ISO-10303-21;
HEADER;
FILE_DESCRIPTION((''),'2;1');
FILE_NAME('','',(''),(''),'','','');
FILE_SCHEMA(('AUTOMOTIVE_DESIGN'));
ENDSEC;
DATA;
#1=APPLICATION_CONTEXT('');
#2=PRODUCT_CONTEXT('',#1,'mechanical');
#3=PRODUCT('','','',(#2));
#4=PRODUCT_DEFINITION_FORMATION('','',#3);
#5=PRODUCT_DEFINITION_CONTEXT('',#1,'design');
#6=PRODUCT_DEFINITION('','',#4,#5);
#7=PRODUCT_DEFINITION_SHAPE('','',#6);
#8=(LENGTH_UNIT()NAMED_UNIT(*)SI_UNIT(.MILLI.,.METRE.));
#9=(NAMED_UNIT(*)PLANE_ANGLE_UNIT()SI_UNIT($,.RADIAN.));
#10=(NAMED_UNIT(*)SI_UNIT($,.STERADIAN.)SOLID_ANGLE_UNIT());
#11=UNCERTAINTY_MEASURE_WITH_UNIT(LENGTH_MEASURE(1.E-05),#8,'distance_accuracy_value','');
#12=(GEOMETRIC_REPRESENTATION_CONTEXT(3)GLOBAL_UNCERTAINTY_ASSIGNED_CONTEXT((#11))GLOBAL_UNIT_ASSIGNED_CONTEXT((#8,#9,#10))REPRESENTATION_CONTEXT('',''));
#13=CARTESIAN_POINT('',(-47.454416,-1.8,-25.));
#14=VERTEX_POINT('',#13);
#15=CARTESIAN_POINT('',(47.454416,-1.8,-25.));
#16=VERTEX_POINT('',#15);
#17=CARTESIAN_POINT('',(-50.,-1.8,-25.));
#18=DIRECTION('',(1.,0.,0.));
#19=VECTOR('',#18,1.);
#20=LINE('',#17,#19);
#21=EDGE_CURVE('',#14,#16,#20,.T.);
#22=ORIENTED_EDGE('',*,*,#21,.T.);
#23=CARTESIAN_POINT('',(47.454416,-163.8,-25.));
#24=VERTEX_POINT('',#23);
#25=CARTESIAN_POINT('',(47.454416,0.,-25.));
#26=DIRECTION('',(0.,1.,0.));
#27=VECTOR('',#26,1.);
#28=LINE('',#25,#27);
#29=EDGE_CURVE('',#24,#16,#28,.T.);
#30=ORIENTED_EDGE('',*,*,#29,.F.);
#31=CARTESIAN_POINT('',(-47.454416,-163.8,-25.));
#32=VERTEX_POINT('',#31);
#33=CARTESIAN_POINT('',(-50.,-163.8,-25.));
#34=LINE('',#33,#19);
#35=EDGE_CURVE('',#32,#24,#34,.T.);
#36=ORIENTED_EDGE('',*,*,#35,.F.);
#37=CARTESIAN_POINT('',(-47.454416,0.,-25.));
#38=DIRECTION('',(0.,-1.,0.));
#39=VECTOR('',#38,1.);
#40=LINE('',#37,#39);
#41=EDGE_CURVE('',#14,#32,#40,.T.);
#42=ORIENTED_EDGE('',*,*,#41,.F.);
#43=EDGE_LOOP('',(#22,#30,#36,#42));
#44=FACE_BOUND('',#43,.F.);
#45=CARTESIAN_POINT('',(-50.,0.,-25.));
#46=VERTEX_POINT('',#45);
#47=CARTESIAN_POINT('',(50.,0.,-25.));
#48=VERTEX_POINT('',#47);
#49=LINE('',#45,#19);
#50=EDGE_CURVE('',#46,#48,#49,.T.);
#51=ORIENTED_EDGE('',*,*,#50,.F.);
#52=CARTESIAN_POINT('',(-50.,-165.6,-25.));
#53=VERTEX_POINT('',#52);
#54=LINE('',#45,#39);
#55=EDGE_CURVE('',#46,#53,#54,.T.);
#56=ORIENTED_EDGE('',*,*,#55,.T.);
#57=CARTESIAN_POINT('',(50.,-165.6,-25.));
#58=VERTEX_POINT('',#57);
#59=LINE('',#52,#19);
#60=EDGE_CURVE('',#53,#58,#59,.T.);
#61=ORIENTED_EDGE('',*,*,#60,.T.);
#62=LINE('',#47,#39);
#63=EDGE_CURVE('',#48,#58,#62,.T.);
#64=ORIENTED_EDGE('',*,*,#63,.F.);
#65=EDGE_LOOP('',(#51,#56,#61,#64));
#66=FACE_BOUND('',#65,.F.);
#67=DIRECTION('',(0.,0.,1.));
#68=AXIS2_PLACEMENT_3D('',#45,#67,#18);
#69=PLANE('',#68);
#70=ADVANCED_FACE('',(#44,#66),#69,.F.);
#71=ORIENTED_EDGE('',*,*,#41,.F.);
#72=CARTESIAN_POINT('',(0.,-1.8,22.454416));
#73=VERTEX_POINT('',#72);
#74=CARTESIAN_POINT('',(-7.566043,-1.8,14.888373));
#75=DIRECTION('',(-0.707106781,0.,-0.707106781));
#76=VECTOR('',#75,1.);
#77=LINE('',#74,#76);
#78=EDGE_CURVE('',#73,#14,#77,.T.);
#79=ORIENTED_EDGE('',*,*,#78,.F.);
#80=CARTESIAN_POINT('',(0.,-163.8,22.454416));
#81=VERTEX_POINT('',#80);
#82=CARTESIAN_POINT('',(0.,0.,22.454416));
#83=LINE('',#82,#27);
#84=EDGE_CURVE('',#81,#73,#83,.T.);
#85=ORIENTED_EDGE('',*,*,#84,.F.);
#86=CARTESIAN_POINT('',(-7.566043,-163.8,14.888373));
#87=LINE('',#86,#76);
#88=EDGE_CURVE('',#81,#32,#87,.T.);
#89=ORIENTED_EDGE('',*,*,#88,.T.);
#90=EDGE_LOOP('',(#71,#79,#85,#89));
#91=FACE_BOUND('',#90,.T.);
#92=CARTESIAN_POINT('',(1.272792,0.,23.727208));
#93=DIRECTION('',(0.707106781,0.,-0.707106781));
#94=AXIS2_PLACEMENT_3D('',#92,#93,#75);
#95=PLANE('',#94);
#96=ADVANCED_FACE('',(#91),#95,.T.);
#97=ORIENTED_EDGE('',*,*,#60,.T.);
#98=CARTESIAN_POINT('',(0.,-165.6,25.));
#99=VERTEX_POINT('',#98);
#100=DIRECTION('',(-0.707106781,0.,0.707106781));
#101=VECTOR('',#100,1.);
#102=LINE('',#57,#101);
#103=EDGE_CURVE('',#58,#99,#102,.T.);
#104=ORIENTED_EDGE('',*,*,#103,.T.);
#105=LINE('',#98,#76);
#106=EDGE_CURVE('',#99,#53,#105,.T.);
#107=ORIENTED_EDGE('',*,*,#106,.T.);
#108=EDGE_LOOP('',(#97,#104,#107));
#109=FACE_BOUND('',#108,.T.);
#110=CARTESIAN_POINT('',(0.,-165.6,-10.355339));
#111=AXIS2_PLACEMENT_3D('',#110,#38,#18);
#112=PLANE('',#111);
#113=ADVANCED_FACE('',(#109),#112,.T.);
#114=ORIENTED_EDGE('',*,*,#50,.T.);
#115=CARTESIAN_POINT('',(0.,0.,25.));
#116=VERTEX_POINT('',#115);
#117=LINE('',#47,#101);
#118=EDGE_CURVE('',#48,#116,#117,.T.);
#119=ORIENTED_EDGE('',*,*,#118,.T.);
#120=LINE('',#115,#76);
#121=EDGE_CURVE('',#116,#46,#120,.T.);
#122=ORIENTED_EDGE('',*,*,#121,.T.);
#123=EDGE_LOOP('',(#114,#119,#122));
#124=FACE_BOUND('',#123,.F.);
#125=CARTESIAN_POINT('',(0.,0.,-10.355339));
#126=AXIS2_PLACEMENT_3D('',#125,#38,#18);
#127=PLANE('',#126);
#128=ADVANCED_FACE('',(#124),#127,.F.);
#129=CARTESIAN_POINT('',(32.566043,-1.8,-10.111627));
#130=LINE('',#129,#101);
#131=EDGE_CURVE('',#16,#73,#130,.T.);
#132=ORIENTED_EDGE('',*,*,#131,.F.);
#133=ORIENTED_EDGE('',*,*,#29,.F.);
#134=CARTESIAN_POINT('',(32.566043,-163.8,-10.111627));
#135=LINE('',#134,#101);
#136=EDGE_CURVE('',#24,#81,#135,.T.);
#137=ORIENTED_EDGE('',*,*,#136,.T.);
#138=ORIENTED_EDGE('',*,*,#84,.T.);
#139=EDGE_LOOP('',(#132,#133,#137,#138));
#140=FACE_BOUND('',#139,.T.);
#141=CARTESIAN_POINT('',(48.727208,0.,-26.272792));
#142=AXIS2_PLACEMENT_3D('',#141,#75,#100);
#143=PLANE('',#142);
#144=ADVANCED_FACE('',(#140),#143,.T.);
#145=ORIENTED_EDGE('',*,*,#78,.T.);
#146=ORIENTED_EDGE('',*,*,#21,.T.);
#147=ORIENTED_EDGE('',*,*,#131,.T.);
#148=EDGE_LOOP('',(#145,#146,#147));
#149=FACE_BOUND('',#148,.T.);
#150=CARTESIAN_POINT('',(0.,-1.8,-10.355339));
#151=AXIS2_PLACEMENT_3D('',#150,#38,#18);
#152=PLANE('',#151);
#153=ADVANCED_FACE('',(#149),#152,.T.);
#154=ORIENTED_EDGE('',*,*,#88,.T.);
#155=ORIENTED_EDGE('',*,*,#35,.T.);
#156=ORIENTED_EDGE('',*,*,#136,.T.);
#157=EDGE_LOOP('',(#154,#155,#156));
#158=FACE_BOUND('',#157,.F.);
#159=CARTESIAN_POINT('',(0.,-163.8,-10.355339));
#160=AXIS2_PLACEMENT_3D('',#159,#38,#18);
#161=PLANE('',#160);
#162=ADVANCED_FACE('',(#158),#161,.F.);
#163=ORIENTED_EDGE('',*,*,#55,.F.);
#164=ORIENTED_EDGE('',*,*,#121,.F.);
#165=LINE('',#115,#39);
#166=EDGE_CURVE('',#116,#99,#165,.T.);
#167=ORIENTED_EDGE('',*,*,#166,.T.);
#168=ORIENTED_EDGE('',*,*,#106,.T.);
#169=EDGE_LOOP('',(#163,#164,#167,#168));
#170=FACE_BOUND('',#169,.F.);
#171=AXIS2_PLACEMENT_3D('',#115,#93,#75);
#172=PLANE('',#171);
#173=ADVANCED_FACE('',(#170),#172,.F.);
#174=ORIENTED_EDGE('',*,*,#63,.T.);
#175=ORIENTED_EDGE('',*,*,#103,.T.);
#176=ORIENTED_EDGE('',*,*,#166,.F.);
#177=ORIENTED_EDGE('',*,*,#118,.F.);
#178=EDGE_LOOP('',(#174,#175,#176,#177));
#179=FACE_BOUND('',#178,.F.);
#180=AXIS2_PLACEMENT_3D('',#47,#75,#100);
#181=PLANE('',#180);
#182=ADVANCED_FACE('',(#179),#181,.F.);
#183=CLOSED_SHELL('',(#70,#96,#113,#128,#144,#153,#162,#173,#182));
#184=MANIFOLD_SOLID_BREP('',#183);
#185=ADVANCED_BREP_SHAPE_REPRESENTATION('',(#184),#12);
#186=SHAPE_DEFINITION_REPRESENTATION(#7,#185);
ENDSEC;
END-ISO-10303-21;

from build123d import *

# Parameters (mm, degrees)
F1_DEPTH = 165.6
F2_T     = -1.8


with BuildPart() as f1:
    # F0 (on Front) → F1 (new body)
    with BuildSketch(Plane.XZ):
        Polygon((50, -25), (0, 25), (-50, -25), align=None)
    extrude(amount=F1_DEPTH)

    # F2
    f2_openings = [f1.faces().sort_by_distance(p)[0] for p in [
        (0, -82.8, -25),
    ]]
    offset(amount=F2_T, openings=f2_openings)


solid = f1.part
